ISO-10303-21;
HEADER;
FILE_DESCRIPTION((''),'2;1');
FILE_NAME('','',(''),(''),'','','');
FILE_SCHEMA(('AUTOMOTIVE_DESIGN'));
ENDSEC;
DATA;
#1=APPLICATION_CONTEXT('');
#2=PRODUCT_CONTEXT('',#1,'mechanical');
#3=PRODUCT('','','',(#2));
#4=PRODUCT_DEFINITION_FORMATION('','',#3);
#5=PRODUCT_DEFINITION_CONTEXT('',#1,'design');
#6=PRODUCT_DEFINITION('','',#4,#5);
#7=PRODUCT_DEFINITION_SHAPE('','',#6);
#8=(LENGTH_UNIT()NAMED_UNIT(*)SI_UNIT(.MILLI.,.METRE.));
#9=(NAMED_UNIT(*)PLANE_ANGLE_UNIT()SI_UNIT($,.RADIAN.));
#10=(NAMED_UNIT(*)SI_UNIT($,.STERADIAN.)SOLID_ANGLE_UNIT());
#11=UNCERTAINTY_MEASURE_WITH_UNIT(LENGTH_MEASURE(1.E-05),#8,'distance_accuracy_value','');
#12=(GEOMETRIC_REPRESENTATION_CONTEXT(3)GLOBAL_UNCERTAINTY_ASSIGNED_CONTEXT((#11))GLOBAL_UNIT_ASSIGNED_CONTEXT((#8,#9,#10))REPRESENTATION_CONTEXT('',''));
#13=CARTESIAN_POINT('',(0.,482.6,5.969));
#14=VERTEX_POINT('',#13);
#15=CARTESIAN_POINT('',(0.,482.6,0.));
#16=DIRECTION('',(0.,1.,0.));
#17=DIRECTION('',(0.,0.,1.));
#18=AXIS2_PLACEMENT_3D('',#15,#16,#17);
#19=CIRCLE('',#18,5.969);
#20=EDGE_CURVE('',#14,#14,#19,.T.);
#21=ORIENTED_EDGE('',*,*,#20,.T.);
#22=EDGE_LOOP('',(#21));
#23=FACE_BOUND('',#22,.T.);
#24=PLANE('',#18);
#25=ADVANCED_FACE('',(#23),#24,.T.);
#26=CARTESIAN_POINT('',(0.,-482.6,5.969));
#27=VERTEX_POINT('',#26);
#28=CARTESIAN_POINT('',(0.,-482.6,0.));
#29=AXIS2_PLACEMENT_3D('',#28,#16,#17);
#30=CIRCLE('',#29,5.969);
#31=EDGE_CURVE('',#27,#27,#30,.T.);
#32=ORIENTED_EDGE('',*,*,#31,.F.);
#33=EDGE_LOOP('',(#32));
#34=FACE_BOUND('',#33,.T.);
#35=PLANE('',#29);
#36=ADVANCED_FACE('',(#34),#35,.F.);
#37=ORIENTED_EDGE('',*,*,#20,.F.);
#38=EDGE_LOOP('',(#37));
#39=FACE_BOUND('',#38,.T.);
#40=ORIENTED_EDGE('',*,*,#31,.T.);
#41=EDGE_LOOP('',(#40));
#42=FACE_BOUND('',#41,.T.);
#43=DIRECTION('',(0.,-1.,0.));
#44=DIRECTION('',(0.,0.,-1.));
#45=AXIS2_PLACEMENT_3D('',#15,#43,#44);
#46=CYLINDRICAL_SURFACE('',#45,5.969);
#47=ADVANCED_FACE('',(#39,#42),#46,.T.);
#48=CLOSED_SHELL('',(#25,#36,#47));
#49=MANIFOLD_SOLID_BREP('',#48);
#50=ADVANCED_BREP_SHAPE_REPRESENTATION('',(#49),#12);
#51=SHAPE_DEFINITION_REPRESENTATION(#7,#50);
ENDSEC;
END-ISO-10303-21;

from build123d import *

# Parameters (mm, degrees)
SKETCH1_R           = 5.969
BOSS_EXTRUDE1_DEPTH = 482.6


with BuildPart() as part:
    # Sketch1 → Boss-Extrude1 (new body, symmetric)
    with BuildSketch(Plane(origin=(0, 0, 0), x_dir=(1, 0, 0), z_dir=(0, 1, 0))):
        Circle(SKETCH1_R)
    extrude(amount=BOSS_EXTRUDE1_DEPTH, both=True)


solid = part.part
